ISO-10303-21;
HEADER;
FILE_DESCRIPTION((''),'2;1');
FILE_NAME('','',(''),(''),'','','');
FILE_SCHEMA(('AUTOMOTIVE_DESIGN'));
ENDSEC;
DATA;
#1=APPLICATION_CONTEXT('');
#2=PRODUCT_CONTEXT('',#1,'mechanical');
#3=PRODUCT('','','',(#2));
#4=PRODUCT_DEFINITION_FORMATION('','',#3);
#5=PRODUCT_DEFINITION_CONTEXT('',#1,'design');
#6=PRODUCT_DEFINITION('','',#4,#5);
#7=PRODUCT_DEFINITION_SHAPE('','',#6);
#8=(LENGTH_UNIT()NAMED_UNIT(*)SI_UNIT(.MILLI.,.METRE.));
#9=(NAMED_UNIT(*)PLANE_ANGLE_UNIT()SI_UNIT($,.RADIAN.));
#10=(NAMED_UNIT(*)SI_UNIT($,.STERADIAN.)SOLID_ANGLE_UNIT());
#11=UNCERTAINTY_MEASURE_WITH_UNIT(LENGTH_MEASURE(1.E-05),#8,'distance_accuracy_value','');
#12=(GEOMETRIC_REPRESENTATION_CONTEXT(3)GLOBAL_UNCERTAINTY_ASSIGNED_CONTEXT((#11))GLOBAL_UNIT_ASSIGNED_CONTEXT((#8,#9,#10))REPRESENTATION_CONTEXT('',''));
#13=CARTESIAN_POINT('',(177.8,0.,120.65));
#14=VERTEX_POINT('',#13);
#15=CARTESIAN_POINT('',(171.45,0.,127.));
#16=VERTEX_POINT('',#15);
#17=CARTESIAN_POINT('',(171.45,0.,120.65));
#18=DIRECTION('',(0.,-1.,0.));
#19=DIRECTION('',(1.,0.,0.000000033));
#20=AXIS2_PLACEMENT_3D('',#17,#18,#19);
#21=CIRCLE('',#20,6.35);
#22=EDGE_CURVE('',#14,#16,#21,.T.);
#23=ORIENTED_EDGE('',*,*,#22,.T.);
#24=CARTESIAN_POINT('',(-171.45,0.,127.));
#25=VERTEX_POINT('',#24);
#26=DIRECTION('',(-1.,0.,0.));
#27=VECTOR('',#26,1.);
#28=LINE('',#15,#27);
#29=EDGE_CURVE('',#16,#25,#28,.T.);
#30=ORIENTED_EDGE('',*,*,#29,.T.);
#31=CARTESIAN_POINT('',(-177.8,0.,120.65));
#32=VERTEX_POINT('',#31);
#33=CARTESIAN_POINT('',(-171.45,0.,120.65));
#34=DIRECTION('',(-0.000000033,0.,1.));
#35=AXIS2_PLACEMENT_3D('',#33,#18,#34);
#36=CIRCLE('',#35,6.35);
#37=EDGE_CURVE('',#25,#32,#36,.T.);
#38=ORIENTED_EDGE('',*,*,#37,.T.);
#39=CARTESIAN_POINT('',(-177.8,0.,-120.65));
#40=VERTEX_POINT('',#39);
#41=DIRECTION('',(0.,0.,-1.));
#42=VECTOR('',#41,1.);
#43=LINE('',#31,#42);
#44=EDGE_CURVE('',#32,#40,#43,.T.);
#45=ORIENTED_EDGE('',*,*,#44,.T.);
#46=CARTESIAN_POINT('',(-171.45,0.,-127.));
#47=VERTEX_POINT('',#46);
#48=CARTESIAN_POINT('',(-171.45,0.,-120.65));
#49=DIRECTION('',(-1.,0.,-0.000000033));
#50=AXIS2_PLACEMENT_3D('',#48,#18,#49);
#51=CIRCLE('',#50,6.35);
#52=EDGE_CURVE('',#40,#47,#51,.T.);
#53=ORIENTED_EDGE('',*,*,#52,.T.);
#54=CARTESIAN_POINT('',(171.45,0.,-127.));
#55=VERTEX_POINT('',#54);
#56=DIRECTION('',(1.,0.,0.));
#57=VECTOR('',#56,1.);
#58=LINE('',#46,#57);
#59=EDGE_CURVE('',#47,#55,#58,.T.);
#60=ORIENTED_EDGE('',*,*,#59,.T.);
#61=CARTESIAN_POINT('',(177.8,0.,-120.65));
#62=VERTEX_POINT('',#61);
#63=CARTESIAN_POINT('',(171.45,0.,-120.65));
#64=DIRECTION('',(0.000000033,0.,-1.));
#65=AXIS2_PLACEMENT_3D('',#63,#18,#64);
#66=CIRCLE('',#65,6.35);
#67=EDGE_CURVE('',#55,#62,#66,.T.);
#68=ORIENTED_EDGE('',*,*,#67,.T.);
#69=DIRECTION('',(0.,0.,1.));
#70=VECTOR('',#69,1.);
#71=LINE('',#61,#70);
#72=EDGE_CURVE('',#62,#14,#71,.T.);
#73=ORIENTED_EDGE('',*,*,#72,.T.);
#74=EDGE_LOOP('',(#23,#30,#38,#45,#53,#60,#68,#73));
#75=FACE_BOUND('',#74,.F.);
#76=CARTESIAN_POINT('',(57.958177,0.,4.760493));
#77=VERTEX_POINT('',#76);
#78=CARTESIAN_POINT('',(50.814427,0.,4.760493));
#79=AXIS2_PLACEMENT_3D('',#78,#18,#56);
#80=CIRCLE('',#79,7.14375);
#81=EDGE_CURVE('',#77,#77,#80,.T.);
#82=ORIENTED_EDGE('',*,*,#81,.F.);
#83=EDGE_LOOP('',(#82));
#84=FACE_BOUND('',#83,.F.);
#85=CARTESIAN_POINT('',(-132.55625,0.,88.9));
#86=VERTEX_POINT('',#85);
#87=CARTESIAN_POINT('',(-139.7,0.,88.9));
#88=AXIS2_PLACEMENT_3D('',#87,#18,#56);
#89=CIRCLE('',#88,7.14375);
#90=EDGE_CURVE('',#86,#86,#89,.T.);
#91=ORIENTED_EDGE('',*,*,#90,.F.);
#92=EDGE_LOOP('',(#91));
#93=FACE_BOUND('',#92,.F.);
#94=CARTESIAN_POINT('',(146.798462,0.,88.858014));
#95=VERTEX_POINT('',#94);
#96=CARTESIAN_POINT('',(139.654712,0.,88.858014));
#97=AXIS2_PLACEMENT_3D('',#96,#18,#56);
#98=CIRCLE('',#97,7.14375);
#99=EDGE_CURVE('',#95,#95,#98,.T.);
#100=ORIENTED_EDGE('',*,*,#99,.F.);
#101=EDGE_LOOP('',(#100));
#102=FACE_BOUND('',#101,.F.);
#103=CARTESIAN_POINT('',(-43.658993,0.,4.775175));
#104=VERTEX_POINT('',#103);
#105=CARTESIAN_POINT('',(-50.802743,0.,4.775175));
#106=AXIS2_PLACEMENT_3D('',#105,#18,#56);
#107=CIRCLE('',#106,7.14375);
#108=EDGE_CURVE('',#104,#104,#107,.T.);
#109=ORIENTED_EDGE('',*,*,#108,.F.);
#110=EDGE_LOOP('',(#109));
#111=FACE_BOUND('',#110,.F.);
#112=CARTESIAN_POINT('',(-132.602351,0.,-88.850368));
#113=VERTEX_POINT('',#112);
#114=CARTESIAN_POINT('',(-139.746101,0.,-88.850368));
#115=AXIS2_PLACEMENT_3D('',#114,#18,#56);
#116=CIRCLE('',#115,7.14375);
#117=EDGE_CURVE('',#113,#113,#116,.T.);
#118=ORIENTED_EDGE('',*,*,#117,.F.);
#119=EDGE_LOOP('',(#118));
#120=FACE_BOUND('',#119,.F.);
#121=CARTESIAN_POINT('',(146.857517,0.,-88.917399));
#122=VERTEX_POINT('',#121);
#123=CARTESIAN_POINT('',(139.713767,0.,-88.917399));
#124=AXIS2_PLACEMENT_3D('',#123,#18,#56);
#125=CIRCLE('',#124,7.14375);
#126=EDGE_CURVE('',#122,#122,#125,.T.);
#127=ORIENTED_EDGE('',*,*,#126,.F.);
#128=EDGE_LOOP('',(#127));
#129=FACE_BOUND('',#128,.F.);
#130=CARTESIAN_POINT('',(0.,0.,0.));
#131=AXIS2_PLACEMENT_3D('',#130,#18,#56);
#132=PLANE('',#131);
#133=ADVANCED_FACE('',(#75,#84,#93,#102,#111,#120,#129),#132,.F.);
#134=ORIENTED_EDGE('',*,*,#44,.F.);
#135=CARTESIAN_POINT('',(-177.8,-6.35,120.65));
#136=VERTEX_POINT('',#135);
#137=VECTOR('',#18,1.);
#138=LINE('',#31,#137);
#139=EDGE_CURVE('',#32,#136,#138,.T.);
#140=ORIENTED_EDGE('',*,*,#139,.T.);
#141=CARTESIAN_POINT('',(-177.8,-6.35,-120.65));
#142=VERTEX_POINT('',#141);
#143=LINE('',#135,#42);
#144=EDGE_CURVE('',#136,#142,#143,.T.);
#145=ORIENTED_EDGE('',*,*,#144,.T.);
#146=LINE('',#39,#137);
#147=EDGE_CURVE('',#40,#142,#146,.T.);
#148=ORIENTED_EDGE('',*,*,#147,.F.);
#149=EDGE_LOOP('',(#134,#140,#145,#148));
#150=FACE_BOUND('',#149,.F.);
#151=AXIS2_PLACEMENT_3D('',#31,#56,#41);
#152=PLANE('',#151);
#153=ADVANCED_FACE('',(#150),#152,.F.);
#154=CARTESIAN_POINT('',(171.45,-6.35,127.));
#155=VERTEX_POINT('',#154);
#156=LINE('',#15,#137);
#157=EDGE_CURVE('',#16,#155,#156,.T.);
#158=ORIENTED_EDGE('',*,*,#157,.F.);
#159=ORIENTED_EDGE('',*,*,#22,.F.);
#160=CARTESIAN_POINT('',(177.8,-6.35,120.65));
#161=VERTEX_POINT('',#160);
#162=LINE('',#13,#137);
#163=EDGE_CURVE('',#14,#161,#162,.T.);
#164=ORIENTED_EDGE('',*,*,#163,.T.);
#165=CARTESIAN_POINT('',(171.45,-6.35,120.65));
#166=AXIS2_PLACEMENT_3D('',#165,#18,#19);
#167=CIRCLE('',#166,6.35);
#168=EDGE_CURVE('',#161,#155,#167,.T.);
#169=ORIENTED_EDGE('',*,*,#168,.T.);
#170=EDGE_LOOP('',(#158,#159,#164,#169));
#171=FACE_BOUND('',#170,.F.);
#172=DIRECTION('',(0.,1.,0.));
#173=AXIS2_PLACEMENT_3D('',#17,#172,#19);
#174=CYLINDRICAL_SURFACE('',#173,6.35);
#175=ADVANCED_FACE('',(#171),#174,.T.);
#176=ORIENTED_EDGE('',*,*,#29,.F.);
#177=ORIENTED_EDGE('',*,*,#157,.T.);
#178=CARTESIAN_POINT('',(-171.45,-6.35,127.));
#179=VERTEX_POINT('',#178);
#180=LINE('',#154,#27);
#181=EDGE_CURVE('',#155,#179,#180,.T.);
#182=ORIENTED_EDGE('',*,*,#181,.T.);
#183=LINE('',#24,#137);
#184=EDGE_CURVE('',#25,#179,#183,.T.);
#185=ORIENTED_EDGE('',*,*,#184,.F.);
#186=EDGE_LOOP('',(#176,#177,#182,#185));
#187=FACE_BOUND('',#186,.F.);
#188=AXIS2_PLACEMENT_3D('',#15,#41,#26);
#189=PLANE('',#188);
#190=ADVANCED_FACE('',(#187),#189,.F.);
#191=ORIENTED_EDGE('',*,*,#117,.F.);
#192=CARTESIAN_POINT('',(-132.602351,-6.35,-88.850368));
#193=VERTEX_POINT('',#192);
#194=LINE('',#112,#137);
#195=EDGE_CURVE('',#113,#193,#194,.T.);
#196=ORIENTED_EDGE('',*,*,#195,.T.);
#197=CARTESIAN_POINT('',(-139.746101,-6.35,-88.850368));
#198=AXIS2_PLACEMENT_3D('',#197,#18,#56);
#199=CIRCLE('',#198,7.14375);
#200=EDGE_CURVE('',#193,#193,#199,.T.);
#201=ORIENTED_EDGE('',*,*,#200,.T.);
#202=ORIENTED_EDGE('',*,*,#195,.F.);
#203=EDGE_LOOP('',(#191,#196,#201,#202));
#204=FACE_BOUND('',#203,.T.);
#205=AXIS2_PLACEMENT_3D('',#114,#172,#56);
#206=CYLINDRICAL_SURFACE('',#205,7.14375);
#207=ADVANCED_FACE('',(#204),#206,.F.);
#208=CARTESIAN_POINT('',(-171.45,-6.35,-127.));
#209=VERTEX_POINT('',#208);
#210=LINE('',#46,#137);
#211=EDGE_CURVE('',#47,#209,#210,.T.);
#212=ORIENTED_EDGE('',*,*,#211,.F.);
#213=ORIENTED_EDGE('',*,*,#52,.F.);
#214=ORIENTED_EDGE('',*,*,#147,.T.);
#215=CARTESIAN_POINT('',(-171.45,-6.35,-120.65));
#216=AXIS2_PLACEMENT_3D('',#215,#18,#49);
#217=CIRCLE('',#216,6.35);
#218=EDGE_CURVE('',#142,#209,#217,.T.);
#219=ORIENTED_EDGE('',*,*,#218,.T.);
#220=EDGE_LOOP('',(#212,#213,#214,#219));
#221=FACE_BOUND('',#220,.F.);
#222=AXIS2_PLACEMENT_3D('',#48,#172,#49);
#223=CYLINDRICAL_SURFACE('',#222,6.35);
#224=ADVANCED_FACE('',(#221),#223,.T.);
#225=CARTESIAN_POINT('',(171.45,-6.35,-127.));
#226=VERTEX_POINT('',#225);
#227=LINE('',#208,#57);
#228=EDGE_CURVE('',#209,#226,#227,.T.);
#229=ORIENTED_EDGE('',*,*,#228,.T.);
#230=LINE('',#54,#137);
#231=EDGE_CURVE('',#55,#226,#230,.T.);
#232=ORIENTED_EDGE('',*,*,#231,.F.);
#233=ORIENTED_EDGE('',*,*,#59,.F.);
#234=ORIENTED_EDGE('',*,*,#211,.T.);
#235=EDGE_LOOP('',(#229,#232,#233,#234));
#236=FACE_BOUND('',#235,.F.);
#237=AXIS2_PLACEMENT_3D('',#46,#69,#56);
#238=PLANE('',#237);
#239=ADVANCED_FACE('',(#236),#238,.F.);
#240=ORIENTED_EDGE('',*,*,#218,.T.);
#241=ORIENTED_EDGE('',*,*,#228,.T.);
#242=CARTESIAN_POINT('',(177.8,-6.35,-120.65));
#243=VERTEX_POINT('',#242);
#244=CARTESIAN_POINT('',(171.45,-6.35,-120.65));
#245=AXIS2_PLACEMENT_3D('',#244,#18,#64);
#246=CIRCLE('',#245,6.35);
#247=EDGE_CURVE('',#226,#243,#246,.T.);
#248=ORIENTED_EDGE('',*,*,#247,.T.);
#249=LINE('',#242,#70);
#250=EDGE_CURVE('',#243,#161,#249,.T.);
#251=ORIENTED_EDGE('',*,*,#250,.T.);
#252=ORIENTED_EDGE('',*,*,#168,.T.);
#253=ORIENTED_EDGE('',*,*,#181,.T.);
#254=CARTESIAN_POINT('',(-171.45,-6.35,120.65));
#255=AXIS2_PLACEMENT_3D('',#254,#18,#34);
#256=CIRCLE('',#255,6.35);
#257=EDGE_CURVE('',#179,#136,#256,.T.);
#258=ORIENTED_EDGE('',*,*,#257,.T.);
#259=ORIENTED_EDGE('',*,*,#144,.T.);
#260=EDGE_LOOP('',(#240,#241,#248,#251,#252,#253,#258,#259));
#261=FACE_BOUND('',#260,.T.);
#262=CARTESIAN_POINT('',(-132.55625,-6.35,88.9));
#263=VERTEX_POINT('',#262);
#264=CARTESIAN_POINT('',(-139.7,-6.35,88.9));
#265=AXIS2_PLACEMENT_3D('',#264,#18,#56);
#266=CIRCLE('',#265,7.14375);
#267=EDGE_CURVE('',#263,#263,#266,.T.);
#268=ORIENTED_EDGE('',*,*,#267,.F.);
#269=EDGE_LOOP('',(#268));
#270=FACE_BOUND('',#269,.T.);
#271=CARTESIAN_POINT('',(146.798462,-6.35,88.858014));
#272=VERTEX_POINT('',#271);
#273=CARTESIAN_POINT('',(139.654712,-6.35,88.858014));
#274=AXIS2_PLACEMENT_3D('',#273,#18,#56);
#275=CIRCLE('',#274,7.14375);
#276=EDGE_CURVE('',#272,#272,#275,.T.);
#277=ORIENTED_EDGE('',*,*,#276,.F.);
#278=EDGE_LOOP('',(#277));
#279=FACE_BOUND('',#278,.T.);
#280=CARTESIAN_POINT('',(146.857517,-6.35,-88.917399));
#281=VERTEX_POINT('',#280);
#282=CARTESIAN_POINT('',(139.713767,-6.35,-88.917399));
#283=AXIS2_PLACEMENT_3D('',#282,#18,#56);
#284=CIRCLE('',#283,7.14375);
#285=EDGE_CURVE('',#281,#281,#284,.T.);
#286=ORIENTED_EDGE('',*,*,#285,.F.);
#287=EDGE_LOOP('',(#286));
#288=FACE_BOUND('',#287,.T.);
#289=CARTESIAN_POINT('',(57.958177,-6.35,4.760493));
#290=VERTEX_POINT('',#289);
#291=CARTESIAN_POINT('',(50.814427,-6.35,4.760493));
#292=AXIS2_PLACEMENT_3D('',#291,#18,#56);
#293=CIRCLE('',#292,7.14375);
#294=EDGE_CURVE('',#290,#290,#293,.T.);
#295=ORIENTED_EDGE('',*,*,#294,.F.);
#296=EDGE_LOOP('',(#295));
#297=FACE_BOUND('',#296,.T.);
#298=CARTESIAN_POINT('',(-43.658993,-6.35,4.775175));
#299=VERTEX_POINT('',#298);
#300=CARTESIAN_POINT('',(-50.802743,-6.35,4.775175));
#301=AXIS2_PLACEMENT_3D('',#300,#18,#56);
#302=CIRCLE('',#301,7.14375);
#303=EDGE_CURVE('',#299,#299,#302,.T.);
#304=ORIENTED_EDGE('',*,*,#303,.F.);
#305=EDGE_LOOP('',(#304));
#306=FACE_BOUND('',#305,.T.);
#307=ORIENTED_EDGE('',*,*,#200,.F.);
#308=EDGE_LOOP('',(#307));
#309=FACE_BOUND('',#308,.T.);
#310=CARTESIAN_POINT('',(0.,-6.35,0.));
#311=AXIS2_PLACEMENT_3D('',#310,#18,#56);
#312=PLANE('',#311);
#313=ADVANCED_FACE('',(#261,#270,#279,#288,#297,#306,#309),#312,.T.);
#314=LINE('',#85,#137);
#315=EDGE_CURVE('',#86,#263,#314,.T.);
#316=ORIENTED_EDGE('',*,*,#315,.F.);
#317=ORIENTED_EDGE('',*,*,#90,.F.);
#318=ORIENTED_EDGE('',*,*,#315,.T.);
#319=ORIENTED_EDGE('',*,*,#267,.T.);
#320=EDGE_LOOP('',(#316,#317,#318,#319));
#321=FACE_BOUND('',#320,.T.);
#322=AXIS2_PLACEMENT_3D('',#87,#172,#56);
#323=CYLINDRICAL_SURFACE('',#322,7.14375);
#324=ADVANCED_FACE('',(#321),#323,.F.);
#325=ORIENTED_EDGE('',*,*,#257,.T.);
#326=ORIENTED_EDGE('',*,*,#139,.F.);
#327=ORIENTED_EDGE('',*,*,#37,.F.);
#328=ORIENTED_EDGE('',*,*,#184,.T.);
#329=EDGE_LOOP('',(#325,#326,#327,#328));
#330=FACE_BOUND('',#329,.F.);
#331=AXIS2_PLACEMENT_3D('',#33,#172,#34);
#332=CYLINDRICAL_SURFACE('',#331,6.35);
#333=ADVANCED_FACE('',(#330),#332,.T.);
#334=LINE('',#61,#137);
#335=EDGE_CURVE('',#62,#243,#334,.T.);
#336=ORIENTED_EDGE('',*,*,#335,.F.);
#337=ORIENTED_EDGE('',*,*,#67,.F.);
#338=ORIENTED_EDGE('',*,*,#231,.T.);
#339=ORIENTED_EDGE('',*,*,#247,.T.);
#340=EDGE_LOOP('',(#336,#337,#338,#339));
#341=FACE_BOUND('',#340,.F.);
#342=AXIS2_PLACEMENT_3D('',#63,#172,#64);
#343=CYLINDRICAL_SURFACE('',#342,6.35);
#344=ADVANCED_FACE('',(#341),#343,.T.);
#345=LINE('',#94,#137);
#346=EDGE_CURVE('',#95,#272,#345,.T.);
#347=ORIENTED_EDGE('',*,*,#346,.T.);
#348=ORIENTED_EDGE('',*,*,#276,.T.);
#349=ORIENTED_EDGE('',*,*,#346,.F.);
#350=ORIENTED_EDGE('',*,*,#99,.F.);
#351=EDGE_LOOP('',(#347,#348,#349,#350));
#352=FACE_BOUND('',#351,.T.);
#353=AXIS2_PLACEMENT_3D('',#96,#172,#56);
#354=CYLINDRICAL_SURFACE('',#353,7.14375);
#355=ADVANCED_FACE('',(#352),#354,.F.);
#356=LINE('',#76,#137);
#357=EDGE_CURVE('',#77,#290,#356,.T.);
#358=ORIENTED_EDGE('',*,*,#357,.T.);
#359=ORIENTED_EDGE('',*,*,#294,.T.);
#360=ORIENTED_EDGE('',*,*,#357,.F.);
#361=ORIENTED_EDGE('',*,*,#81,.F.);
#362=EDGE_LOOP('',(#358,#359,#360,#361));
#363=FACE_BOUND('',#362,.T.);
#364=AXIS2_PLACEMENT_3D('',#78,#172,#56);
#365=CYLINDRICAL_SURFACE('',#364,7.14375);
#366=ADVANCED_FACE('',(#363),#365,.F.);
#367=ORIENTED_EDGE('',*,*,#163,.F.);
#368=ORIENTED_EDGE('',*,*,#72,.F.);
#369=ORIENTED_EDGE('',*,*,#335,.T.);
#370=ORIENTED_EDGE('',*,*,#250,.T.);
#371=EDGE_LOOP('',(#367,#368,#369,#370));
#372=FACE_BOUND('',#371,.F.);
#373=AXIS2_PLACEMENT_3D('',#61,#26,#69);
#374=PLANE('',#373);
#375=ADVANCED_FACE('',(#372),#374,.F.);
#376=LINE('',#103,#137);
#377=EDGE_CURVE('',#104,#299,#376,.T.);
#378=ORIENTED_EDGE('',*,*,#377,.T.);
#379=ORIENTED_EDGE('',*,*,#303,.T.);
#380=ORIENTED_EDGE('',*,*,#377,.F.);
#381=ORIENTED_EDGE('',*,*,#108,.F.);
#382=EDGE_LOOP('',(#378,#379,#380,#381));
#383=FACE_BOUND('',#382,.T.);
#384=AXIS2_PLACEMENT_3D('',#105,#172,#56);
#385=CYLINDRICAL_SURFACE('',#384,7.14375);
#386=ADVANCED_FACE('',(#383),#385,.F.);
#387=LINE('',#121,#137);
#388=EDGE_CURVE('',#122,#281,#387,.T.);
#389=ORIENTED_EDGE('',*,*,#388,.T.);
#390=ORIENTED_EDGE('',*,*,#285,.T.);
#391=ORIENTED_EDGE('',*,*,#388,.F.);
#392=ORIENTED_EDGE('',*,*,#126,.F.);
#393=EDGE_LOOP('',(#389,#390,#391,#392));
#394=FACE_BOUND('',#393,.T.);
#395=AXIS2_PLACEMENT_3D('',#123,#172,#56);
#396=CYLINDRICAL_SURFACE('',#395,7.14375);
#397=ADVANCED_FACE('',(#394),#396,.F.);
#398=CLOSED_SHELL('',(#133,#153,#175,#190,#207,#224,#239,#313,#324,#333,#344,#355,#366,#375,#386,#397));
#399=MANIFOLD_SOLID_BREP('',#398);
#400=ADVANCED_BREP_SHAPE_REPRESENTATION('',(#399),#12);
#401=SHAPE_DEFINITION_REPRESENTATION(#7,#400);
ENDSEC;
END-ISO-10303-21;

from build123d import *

# Parameters (mm, degrees)
F0_R     = 7.14375
F1_DEPTH = 6.35


with BuildPart() as f1:
    # F0 (on Front) → F1 (new body)
    with BuildSketch(Plane.XZ):
        with BuildLine():
            ThreePointArc((-171.45, 127), (-175.940128, 125.140128), (-177.8, 120.65))
            Line((-177.8, 120.65), (-177.8, -20.6375))
            Line((-177.8, -20.6375), (-177.8, -30.1625))
            Line((-177.8, -30.1625), (-177.8, -120.65))
            ThreePointArc((-177.8, -120.65), (-175.940128, -125.140128), (-171.45, -127))
            Line((-171.45, -127), (171.45, -127))
            ThreePointArc((171.45, -127), (175.940128, -125.140128), (177.8, -120.65))
            Line((177.8, -120.65), (177.8, -30.1625))
            Line((177.8, -30.1625), (177.8, -20.6375))
            Line((177.8, -20.6375), (177.8, 120.65))
            ThreePointArc((177.8, 120.65), (175.940128, 125.140128), (171.45, 127))
            Line((171.45, 127), (-171.45, 127))
        make_face()
        with Locations((-139.746101, -88.850368)):
            Circle(F0_R, mode=Mode.SUBTRACT)
        with Locations((139.713767, -88.917399)):
            Circle(F0_R, mode=Mode.SUBTRACT)
        with Locations((-50.802743, 4.775175)):
            Circle(F0_R, mode=Mode.SUBTRACT)
        with Locations((-139.7, 88.9)):
            Circle(F0_R, mode=Mode.SUBTRACT)
        with Locations((50.814427, 4.760493)):
            Circle(F0_R, mode=Mode.SUBTRACT)
        with Locations((139.654712, 88.858014)):
            Circle(F0_R, mode=Mode.SUBTRACT)
    extrude(amount=F1_DEPTH)


solid = f1.part
